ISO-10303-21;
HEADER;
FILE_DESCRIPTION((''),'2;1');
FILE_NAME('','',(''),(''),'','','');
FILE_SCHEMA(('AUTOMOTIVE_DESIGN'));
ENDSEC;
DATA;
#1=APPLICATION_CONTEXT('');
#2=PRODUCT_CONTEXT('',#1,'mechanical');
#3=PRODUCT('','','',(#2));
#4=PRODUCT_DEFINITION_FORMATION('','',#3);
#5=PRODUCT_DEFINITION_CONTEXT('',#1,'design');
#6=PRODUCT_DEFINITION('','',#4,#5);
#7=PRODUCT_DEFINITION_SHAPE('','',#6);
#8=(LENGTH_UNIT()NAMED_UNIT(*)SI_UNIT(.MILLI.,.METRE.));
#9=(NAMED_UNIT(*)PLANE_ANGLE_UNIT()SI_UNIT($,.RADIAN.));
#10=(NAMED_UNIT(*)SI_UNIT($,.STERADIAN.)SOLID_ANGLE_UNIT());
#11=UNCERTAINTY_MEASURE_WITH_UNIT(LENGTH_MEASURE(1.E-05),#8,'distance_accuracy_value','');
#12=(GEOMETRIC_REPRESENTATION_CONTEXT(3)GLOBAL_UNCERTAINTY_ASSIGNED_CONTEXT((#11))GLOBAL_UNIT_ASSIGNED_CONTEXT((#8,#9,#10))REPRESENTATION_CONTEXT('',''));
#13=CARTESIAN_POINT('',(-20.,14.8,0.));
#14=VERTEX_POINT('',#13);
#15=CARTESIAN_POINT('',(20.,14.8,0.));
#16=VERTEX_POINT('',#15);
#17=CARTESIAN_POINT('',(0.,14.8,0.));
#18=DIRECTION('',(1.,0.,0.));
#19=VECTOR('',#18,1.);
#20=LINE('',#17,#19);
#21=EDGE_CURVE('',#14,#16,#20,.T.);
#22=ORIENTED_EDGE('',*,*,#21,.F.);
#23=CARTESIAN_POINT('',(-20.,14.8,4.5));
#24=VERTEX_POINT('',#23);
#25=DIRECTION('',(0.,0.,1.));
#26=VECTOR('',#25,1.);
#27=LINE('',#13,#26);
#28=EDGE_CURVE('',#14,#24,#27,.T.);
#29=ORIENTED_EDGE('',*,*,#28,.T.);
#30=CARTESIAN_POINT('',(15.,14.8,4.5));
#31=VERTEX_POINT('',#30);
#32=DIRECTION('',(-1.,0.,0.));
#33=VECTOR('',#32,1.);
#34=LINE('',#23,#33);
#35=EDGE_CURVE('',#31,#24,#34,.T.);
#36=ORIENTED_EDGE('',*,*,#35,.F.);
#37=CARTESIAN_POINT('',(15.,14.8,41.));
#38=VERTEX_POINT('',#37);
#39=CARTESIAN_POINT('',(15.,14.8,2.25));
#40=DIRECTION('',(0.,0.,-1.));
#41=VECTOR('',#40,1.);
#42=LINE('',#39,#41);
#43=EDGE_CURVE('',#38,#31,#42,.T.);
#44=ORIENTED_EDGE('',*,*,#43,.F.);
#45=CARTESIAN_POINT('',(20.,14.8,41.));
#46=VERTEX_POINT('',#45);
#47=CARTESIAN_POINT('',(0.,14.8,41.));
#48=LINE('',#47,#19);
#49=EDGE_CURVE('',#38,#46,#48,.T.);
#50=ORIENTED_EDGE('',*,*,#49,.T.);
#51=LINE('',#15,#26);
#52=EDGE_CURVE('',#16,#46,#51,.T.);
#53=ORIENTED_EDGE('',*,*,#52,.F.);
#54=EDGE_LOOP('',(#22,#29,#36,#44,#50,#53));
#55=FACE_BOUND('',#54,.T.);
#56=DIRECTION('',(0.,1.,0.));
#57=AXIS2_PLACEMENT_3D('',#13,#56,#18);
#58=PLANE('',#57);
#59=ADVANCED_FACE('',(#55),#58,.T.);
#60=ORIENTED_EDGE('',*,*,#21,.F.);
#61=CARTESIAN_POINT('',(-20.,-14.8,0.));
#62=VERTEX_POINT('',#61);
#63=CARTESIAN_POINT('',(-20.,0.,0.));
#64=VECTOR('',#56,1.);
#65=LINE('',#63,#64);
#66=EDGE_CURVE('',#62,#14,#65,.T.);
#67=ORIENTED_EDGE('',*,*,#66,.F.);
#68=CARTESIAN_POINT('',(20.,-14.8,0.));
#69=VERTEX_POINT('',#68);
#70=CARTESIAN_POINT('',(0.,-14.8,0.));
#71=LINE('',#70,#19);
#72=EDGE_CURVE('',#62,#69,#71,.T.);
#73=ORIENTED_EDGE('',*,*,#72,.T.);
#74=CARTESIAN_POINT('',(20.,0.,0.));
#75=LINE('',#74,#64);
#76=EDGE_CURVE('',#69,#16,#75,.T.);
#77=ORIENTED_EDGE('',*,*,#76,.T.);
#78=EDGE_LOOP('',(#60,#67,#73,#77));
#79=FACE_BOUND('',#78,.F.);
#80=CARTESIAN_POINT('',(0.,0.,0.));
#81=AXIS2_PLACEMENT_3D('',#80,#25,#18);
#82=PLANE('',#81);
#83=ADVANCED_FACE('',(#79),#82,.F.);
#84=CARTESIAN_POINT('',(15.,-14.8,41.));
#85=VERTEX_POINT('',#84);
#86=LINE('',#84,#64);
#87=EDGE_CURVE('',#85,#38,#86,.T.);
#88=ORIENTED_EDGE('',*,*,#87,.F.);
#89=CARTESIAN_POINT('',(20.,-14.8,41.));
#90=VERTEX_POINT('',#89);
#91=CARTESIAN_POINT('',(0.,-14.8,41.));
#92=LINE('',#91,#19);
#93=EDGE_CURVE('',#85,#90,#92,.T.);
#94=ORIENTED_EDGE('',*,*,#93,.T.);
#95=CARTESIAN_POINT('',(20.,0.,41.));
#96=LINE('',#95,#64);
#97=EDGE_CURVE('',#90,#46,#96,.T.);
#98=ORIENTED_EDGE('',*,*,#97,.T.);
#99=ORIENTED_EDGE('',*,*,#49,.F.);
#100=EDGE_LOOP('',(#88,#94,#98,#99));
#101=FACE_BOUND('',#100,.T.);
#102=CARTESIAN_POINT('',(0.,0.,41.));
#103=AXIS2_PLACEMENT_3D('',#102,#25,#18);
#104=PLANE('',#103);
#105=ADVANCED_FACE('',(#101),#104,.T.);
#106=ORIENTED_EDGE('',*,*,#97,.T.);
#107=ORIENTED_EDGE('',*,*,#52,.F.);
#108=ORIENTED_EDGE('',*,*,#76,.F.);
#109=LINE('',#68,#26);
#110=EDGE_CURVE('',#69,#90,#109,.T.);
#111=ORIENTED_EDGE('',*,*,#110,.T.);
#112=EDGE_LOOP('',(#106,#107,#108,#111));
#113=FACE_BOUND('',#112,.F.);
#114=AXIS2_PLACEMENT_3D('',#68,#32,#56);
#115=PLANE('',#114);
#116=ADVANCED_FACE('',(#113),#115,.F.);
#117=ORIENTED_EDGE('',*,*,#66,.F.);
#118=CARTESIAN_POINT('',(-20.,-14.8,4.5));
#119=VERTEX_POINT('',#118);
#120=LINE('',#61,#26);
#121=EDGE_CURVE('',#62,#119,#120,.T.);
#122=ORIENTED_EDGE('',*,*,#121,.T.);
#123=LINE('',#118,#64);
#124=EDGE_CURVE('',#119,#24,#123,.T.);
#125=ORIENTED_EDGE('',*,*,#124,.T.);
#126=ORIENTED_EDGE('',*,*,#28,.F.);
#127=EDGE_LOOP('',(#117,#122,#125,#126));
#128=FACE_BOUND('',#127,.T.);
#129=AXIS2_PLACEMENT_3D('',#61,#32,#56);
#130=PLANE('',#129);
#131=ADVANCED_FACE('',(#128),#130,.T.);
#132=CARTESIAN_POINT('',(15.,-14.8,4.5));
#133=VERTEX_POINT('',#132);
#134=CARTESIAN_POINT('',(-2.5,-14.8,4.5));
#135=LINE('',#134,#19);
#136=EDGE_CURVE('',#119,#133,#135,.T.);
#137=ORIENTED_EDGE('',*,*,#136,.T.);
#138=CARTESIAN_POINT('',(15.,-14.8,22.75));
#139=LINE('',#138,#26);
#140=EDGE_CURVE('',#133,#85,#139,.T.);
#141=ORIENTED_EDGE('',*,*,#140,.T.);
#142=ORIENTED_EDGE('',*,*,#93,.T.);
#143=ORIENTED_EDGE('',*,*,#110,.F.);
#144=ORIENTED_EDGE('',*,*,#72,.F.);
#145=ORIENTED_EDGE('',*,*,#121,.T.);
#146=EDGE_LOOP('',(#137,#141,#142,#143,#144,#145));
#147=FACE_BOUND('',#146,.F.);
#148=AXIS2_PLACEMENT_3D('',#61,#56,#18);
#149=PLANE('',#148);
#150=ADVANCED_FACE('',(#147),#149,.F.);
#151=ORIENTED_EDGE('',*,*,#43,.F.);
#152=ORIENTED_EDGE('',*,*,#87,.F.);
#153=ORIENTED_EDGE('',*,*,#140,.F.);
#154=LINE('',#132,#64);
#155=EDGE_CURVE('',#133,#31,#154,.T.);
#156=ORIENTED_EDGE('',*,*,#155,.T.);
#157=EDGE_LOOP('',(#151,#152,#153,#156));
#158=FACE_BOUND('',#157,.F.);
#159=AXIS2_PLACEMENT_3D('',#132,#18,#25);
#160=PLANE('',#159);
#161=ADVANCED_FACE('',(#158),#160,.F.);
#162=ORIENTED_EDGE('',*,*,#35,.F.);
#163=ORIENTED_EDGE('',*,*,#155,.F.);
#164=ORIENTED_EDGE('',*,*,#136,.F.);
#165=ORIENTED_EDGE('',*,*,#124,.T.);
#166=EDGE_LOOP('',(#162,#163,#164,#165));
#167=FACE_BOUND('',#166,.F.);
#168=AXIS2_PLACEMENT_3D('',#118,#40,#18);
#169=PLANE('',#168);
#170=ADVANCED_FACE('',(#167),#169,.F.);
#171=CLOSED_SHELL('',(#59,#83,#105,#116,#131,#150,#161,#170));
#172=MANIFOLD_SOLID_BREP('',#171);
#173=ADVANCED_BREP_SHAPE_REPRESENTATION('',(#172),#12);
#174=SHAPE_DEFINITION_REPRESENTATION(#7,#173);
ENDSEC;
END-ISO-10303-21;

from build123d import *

# Parameters (mm, degrees)
F0_W     = 40
F0_H     = 29.6
F1_DEPTH = 41
F2_W     = 35
F2_H     = 36.5
F3_DEPTH = 29.601


with BuildPart() as f1:
    # F0 (on Top) → F1 (new body)
    with BuildSketch(Plane.XY):
        Rectangle(F0_W, F0_H)
    extrude(amount=F1_DEPTH)

    # F2 (on face) → F3 (cut, through all)
    with BuildSketch(Plane.XZ.offset(14.8)):
        with Locations((-2.5, 22.75)):
            Rectangle(F2_W, F2_H)
    extrude(amount=-F3_DEPTH, mode=Mode.SUBTRACT)


solid = f1.part
